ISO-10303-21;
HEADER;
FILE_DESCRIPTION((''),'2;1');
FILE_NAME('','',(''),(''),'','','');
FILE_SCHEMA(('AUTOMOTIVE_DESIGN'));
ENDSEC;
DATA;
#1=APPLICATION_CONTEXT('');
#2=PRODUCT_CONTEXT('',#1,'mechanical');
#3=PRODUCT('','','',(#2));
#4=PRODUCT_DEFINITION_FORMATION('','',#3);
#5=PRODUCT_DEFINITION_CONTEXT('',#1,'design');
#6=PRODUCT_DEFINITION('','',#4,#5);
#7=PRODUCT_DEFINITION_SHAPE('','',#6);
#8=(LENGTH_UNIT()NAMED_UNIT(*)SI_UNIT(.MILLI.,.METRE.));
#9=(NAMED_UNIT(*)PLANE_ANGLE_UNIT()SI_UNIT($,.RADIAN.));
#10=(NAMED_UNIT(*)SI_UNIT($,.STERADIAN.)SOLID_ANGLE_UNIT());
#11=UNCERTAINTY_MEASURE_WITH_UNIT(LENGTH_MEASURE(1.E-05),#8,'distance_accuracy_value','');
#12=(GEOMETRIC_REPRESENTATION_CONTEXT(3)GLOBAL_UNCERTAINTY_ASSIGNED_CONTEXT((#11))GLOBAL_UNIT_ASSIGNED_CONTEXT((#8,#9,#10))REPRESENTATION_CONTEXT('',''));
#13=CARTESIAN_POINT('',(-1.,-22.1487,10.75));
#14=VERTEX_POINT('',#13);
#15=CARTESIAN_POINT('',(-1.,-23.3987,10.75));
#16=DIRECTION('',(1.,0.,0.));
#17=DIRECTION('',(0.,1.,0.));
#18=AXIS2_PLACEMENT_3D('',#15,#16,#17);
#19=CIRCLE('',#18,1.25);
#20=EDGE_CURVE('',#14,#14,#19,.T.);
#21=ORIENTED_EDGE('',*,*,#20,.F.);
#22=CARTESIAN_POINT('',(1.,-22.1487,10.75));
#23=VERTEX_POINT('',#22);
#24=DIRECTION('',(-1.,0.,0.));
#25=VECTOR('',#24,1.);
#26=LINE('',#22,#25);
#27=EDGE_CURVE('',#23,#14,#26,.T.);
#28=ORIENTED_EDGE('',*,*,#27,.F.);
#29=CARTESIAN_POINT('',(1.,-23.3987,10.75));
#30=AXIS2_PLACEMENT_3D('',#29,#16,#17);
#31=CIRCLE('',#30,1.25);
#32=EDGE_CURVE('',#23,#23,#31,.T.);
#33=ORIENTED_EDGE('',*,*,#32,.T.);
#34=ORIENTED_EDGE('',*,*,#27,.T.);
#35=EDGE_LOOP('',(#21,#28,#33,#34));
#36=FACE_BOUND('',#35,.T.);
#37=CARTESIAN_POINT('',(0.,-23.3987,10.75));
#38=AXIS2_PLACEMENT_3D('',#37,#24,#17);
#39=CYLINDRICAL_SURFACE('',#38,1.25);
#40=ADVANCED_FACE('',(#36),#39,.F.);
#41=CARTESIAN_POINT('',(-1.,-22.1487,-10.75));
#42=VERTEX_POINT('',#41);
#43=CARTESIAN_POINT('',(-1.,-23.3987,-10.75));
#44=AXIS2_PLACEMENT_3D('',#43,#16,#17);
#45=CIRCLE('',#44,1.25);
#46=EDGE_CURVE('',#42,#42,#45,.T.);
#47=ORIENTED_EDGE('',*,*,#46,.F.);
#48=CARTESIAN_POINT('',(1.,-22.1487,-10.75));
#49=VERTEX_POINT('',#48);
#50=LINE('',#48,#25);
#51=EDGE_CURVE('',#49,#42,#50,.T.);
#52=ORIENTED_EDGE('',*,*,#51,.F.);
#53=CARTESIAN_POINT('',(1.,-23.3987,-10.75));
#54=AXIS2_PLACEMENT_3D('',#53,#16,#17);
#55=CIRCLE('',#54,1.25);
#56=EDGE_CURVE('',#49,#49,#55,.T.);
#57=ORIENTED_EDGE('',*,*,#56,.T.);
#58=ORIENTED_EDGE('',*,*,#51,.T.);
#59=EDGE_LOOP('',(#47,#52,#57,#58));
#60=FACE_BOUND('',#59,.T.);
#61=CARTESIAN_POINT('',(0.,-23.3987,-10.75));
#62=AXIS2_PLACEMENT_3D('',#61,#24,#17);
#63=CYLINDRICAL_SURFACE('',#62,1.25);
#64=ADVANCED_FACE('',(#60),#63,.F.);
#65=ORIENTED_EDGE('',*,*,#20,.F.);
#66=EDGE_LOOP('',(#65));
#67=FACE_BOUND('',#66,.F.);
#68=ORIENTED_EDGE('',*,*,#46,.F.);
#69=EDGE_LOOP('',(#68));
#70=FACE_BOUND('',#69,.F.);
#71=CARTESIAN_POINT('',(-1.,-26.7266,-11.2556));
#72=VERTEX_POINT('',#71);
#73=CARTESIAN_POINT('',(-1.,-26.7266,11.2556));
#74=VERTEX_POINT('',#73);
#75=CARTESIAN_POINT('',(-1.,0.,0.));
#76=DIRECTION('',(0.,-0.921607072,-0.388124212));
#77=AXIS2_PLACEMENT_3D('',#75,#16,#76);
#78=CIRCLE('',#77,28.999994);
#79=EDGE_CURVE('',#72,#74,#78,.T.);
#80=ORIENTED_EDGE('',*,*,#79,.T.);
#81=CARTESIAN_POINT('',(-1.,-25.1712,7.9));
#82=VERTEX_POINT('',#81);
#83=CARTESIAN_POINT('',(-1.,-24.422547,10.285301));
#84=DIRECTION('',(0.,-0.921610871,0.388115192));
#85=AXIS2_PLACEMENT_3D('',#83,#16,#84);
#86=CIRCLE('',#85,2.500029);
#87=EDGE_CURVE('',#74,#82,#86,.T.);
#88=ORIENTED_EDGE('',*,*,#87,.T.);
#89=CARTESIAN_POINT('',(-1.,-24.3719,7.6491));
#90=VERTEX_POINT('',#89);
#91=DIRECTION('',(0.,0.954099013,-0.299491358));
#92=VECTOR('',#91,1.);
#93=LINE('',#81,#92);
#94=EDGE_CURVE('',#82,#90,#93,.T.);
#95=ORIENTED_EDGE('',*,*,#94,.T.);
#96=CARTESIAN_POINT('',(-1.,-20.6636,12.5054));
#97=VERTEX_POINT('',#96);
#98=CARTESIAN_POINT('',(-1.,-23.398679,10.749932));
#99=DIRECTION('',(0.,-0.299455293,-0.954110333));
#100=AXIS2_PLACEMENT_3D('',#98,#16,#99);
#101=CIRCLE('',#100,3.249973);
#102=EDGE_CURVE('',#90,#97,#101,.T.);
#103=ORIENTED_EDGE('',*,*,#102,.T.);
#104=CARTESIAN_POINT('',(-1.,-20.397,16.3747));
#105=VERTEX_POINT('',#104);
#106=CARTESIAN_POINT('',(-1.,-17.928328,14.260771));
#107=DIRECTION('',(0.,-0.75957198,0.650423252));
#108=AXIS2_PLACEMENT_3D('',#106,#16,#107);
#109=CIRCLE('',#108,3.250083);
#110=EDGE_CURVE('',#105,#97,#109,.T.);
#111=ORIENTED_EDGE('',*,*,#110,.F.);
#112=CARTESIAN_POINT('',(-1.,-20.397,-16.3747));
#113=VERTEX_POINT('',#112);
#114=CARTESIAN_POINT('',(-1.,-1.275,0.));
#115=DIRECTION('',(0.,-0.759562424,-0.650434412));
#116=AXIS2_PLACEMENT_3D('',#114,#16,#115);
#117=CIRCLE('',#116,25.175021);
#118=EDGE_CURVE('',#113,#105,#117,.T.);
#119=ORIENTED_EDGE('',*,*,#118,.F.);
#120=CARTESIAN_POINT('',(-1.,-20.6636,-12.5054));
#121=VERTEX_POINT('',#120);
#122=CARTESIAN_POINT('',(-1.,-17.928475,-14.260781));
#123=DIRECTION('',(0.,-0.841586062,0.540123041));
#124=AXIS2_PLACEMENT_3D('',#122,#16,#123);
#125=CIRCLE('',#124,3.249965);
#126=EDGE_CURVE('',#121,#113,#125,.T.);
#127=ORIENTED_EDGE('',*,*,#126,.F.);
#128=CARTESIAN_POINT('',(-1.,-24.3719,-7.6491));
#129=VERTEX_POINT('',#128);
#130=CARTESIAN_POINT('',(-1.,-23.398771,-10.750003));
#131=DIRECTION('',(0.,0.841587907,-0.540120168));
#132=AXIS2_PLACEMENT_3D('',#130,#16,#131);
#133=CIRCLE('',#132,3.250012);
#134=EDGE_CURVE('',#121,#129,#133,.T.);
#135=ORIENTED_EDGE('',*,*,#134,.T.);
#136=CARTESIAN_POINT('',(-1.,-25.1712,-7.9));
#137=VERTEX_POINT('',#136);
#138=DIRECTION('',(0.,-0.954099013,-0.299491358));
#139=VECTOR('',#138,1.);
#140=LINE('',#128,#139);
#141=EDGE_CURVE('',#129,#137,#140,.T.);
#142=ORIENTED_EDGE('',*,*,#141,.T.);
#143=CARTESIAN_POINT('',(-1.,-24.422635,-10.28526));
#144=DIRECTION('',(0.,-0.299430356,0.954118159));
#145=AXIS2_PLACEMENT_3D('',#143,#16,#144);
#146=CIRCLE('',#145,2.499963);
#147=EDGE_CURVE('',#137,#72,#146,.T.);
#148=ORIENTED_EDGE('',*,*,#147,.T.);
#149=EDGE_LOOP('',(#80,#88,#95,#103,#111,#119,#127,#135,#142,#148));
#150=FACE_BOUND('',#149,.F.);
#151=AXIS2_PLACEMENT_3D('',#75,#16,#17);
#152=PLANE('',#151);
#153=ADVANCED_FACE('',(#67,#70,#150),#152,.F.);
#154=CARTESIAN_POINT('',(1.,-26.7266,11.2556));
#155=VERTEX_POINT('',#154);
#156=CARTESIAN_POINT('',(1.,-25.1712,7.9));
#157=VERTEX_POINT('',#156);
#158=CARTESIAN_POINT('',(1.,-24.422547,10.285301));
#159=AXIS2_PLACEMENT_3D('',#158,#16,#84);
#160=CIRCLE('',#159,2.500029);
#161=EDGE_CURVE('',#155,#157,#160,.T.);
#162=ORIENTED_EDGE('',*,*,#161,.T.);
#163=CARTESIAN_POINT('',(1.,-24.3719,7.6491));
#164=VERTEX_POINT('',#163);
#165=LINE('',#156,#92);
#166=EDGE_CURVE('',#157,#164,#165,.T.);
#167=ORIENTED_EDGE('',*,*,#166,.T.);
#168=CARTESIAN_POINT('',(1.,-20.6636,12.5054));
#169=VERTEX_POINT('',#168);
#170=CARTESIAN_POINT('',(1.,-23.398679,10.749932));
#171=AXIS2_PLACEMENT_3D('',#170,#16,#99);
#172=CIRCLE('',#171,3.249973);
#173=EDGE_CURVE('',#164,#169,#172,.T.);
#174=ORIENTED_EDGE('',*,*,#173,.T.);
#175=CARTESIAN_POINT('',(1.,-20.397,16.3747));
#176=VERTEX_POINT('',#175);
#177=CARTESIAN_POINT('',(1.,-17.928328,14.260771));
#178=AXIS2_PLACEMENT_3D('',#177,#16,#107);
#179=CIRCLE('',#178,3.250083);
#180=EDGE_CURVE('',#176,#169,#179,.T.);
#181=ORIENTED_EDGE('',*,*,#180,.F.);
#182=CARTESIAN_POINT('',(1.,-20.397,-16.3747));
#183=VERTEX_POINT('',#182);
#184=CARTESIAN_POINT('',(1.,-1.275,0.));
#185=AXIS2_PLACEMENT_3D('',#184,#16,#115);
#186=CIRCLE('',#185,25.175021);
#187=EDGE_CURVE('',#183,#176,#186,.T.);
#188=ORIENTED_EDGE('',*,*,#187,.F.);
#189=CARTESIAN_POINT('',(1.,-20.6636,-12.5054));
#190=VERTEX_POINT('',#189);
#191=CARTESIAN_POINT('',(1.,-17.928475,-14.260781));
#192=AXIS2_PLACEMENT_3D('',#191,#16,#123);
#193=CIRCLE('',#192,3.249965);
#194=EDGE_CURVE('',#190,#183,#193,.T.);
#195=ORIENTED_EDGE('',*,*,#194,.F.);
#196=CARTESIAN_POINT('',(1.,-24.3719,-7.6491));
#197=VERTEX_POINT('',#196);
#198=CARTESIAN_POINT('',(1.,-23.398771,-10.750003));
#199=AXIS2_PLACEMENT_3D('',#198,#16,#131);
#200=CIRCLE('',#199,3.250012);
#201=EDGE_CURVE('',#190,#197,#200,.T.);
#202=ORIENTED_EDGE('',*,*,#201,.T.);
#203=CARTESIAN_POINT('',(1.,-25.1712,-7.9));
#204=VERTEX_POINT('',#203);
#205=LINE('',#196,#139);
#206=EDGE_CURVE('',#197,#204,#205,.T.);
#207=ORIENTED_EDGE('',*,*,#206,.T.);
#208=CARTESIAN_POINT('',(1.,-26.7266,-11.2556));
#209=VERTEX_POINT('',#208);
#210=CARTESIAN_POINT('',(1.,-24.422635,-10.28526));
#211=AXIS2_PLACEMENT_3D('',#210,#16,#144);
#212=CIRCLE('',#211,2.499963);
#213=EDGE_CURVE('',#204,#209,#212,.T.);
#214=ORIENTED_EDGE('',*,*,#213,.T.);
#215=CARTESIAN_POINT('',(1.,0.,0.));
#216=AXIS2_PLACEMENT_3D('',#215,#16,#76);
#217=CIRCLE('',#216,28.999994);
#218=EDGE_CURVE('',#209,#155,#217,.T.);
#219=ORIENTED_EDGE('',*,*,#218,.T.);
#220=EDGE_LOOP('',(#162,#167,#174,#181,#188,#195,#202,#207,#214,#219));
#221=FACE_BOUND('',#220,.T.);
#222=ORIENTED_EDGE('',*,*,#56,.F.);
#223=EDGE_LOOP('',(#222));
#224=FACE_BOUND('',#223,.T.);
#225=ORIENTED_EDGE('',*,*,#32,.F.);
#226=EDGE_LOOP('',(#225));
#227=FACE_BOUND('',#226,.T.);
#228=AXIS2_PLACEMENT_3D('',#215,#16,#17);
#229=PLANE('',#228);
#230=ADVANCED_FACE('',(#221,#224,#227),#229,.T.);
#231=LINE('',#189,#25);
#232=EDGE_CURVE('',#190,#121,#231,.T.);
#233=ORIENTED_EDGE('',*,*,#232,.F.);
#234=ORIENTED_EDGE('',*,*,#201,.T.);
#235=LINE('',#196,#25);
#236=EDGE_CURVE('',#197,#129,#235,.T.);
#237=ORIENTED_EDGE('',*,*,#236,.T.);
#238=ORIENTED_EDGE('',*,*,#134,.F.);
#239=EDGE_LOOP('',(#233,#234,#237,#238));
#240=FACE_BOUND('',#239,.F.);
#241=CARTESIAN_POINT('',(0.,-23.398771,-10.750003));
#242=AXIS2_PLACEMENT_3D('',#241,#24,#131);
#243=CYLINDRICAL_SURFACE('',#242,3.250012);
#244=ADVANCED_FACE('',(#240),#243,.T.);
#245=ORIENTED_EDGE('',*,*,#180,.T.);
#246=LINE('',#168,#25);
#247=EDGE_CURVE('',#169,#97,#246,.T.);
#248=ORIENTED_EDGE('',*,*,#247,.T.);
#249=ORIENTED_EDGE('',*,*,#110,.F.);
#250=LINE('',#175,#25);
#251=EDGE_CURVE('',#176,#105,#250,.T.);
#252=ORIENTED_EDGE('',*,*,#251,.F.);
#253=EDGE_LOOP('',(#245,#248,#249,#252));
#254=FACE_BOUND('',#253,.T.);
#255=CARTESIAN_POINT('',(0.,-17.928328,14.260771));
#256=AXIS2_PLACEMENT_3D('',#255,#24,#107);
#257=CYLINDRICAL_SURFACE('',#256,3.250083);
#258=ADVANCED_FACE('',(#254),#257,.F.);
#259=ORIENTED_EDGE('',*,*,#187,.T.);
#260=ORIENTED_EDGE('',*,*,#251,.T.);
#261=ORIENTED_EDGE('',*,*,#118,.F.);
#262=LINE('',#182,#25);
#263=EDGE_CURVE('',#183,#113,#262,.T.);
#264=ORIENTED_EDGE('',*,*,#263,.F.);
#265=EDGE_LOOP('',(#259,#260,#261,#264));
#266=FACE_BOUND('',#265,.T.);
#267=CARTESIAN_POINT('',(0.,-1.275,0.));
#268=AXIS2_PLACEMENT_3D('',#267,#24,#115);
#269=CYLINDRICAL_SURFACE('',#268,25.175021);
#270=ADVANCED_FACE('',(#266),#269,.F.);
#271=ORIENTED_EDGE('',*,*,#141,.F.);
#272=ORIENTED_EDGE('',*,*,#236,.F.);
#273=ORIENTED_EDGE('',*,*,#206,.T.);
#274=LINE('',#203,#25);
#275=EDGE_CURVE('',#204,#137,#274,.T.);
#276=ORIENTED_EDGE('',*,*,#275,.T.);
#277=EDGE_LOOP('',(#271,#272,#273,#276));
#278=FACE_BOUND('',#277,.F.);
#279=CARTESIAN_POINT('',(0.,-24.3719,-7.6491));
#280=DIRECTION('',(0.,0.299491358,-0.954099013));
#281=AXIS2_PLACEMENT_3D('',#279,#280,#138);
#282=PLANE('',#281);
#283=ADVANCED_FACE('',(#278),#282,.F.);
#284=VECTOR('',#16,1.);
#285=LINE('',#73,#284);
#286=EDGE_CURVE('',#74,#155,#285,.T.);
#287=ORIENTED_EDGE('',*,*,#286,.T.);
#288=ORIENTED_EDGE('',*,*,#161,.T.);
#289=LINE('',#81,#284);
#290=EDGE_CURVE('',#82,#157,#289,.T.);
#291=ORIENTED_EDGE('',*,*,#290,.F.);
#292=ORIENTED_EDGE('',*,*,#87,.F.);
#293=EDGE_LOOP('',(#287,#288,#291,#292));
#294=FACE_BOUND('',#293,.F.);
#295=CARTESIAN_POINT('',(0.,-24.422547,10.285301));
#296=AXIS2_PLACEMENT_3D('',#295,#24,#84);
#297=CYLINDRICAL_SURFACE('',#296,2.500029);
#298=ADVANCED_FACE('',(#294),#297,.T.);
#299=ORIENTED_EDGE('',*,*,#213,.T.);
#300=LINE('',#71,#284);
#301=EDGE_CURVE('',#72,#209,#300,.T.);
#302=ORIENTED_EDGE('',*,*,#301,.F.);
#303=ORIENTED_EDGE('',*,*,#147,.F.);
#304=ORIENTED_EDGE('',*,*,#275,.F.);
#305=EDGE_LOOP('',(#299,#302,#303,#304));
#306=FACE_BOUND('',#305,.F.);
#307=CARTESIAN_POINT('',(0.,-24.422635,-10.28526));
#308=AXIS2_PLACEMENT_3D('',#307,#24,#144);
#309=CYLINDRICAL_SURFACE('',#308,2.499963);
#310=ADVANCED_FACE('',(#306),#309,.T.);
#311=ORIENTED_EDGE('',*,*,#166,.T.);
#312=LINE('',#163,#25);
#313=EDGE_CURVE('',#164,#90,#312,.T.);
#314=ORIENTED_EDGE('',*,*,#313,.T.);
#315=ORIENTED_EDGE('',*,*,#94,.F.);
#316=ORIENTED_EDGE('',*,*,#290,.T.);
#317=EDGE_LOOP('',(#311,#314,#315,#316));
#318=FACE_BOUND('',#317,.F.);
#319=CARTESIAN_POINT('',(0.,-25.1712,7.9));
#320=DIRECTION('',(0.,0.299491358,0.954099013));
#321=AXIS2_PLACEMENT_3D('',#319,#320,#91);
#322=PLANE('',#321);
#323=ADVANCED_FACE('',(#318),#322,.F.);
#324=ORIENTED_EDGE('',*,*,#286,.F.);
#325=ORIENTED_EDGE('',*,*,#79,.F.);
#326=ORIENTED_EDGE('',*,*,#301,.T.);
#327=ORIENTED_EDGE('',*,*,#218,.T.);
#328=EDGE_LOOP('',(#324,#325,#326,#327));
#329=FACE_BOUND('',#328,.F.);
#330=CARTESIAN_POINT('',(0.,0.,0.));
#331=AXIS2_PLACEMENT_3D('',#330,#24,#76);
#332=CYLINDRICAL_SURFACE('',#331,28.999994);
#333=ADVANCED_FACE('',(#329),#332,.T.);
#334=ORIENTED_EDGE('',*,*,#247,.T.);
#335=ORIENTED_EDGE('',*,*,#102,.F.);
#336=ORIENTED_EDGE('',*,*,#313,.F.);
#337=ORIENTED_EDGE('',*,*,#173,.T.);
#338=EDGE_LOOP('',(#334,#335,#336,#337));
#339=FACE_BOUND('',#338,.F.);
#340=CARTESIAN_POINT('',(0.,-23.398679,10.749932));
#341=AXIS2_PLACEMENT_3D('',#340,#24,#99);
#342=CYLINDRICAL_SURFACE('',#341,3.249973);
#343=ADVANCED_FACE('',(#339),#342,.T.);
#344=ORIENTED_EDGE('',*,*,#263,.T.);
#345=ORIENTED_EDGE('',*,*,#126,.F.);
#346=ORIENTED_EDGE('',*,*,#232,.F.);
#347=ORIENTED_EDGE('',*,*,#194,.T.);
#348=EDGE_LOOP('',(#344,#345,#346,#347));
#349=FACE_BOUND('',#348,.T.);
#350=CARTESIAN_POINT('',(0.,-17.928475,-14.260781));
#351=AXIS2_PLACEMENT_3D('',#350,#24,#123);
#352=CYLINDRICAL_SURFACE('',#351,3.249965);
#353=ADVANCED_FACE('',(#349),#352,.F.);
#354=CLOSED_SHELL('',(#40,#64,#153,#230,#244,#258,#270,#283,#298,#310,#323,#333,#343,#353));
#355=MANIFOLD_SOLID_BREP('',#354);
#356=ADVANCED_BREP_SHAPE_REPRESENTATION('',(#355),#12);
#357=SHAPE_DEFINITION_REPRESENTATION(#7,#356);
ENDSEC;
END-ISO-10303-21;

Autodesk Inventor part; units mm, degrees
sketch "Sketch_3" plane through (0, 0, 0) normal (1, 0, 0) x (0, 1, 0)
  arc A0 (-26.7266, -11.2556) -> (-26.7266, 11.2556) centre (0, 0) ccw
  arc A1 (-26.7266, 11.2556) -> (-25.1712, 7.9) centre (-24.4226, 10.2853) ccw
  line L0 (-25.1712, 7.9) -> (-24.3719, 7.6491)
  arc A2 (-24.3719, 7.6491) -> (-20.6636, 12.5054) centre (-23.3987, 10.75) ccw
  arc A3 (-20.397, 16.3747) -> (-20.6636, 12.5054) centre (-17.9284, 14.2608) ccw
  arc A4 (-20.397, -16.3747) -> (-20.397, 16.3747) centre (-1.275, 0) ccw
  arc A5 (-20.6636, -12.5054) -> (-20.397, -16.3747) centre (-17.9284, -14.2608) ccw
  arc A6 (-20.6636, -12.5054) -> (-24.3719, -7.6491) centre (-23.3987, -10.75) ccw
  line L1 (-24.3719, -7.6491) -> (-25.1712, -7.9)
  arc A7 (-25.1712, -7.9) -> (-26.7266, -11.2556) centre (-24.4226, -10.2853) ccw
  circle A8 centre (-23.3987, -10.75) radius 1.25
  circle A9 centre (-23.3987, 10.75) radius 1.25
extrude "Extrusion1" add sketch "Sketch_3" along normal mid plane 2
ref_plane "rr_XY" through (-1, 0, 0) normal (1, 0, 0) x (0, 0, -1)
ref_plane "rr_YZ" through (-1, 0, 0) normal (0, 0, -1) x (0, 1, 0)
ref_plane "rr_ZX" through (-1, 0, 0) normal (0, 1, 0) x (1, 0, 0)
properties part number "RRING-C-INT-S-55"
